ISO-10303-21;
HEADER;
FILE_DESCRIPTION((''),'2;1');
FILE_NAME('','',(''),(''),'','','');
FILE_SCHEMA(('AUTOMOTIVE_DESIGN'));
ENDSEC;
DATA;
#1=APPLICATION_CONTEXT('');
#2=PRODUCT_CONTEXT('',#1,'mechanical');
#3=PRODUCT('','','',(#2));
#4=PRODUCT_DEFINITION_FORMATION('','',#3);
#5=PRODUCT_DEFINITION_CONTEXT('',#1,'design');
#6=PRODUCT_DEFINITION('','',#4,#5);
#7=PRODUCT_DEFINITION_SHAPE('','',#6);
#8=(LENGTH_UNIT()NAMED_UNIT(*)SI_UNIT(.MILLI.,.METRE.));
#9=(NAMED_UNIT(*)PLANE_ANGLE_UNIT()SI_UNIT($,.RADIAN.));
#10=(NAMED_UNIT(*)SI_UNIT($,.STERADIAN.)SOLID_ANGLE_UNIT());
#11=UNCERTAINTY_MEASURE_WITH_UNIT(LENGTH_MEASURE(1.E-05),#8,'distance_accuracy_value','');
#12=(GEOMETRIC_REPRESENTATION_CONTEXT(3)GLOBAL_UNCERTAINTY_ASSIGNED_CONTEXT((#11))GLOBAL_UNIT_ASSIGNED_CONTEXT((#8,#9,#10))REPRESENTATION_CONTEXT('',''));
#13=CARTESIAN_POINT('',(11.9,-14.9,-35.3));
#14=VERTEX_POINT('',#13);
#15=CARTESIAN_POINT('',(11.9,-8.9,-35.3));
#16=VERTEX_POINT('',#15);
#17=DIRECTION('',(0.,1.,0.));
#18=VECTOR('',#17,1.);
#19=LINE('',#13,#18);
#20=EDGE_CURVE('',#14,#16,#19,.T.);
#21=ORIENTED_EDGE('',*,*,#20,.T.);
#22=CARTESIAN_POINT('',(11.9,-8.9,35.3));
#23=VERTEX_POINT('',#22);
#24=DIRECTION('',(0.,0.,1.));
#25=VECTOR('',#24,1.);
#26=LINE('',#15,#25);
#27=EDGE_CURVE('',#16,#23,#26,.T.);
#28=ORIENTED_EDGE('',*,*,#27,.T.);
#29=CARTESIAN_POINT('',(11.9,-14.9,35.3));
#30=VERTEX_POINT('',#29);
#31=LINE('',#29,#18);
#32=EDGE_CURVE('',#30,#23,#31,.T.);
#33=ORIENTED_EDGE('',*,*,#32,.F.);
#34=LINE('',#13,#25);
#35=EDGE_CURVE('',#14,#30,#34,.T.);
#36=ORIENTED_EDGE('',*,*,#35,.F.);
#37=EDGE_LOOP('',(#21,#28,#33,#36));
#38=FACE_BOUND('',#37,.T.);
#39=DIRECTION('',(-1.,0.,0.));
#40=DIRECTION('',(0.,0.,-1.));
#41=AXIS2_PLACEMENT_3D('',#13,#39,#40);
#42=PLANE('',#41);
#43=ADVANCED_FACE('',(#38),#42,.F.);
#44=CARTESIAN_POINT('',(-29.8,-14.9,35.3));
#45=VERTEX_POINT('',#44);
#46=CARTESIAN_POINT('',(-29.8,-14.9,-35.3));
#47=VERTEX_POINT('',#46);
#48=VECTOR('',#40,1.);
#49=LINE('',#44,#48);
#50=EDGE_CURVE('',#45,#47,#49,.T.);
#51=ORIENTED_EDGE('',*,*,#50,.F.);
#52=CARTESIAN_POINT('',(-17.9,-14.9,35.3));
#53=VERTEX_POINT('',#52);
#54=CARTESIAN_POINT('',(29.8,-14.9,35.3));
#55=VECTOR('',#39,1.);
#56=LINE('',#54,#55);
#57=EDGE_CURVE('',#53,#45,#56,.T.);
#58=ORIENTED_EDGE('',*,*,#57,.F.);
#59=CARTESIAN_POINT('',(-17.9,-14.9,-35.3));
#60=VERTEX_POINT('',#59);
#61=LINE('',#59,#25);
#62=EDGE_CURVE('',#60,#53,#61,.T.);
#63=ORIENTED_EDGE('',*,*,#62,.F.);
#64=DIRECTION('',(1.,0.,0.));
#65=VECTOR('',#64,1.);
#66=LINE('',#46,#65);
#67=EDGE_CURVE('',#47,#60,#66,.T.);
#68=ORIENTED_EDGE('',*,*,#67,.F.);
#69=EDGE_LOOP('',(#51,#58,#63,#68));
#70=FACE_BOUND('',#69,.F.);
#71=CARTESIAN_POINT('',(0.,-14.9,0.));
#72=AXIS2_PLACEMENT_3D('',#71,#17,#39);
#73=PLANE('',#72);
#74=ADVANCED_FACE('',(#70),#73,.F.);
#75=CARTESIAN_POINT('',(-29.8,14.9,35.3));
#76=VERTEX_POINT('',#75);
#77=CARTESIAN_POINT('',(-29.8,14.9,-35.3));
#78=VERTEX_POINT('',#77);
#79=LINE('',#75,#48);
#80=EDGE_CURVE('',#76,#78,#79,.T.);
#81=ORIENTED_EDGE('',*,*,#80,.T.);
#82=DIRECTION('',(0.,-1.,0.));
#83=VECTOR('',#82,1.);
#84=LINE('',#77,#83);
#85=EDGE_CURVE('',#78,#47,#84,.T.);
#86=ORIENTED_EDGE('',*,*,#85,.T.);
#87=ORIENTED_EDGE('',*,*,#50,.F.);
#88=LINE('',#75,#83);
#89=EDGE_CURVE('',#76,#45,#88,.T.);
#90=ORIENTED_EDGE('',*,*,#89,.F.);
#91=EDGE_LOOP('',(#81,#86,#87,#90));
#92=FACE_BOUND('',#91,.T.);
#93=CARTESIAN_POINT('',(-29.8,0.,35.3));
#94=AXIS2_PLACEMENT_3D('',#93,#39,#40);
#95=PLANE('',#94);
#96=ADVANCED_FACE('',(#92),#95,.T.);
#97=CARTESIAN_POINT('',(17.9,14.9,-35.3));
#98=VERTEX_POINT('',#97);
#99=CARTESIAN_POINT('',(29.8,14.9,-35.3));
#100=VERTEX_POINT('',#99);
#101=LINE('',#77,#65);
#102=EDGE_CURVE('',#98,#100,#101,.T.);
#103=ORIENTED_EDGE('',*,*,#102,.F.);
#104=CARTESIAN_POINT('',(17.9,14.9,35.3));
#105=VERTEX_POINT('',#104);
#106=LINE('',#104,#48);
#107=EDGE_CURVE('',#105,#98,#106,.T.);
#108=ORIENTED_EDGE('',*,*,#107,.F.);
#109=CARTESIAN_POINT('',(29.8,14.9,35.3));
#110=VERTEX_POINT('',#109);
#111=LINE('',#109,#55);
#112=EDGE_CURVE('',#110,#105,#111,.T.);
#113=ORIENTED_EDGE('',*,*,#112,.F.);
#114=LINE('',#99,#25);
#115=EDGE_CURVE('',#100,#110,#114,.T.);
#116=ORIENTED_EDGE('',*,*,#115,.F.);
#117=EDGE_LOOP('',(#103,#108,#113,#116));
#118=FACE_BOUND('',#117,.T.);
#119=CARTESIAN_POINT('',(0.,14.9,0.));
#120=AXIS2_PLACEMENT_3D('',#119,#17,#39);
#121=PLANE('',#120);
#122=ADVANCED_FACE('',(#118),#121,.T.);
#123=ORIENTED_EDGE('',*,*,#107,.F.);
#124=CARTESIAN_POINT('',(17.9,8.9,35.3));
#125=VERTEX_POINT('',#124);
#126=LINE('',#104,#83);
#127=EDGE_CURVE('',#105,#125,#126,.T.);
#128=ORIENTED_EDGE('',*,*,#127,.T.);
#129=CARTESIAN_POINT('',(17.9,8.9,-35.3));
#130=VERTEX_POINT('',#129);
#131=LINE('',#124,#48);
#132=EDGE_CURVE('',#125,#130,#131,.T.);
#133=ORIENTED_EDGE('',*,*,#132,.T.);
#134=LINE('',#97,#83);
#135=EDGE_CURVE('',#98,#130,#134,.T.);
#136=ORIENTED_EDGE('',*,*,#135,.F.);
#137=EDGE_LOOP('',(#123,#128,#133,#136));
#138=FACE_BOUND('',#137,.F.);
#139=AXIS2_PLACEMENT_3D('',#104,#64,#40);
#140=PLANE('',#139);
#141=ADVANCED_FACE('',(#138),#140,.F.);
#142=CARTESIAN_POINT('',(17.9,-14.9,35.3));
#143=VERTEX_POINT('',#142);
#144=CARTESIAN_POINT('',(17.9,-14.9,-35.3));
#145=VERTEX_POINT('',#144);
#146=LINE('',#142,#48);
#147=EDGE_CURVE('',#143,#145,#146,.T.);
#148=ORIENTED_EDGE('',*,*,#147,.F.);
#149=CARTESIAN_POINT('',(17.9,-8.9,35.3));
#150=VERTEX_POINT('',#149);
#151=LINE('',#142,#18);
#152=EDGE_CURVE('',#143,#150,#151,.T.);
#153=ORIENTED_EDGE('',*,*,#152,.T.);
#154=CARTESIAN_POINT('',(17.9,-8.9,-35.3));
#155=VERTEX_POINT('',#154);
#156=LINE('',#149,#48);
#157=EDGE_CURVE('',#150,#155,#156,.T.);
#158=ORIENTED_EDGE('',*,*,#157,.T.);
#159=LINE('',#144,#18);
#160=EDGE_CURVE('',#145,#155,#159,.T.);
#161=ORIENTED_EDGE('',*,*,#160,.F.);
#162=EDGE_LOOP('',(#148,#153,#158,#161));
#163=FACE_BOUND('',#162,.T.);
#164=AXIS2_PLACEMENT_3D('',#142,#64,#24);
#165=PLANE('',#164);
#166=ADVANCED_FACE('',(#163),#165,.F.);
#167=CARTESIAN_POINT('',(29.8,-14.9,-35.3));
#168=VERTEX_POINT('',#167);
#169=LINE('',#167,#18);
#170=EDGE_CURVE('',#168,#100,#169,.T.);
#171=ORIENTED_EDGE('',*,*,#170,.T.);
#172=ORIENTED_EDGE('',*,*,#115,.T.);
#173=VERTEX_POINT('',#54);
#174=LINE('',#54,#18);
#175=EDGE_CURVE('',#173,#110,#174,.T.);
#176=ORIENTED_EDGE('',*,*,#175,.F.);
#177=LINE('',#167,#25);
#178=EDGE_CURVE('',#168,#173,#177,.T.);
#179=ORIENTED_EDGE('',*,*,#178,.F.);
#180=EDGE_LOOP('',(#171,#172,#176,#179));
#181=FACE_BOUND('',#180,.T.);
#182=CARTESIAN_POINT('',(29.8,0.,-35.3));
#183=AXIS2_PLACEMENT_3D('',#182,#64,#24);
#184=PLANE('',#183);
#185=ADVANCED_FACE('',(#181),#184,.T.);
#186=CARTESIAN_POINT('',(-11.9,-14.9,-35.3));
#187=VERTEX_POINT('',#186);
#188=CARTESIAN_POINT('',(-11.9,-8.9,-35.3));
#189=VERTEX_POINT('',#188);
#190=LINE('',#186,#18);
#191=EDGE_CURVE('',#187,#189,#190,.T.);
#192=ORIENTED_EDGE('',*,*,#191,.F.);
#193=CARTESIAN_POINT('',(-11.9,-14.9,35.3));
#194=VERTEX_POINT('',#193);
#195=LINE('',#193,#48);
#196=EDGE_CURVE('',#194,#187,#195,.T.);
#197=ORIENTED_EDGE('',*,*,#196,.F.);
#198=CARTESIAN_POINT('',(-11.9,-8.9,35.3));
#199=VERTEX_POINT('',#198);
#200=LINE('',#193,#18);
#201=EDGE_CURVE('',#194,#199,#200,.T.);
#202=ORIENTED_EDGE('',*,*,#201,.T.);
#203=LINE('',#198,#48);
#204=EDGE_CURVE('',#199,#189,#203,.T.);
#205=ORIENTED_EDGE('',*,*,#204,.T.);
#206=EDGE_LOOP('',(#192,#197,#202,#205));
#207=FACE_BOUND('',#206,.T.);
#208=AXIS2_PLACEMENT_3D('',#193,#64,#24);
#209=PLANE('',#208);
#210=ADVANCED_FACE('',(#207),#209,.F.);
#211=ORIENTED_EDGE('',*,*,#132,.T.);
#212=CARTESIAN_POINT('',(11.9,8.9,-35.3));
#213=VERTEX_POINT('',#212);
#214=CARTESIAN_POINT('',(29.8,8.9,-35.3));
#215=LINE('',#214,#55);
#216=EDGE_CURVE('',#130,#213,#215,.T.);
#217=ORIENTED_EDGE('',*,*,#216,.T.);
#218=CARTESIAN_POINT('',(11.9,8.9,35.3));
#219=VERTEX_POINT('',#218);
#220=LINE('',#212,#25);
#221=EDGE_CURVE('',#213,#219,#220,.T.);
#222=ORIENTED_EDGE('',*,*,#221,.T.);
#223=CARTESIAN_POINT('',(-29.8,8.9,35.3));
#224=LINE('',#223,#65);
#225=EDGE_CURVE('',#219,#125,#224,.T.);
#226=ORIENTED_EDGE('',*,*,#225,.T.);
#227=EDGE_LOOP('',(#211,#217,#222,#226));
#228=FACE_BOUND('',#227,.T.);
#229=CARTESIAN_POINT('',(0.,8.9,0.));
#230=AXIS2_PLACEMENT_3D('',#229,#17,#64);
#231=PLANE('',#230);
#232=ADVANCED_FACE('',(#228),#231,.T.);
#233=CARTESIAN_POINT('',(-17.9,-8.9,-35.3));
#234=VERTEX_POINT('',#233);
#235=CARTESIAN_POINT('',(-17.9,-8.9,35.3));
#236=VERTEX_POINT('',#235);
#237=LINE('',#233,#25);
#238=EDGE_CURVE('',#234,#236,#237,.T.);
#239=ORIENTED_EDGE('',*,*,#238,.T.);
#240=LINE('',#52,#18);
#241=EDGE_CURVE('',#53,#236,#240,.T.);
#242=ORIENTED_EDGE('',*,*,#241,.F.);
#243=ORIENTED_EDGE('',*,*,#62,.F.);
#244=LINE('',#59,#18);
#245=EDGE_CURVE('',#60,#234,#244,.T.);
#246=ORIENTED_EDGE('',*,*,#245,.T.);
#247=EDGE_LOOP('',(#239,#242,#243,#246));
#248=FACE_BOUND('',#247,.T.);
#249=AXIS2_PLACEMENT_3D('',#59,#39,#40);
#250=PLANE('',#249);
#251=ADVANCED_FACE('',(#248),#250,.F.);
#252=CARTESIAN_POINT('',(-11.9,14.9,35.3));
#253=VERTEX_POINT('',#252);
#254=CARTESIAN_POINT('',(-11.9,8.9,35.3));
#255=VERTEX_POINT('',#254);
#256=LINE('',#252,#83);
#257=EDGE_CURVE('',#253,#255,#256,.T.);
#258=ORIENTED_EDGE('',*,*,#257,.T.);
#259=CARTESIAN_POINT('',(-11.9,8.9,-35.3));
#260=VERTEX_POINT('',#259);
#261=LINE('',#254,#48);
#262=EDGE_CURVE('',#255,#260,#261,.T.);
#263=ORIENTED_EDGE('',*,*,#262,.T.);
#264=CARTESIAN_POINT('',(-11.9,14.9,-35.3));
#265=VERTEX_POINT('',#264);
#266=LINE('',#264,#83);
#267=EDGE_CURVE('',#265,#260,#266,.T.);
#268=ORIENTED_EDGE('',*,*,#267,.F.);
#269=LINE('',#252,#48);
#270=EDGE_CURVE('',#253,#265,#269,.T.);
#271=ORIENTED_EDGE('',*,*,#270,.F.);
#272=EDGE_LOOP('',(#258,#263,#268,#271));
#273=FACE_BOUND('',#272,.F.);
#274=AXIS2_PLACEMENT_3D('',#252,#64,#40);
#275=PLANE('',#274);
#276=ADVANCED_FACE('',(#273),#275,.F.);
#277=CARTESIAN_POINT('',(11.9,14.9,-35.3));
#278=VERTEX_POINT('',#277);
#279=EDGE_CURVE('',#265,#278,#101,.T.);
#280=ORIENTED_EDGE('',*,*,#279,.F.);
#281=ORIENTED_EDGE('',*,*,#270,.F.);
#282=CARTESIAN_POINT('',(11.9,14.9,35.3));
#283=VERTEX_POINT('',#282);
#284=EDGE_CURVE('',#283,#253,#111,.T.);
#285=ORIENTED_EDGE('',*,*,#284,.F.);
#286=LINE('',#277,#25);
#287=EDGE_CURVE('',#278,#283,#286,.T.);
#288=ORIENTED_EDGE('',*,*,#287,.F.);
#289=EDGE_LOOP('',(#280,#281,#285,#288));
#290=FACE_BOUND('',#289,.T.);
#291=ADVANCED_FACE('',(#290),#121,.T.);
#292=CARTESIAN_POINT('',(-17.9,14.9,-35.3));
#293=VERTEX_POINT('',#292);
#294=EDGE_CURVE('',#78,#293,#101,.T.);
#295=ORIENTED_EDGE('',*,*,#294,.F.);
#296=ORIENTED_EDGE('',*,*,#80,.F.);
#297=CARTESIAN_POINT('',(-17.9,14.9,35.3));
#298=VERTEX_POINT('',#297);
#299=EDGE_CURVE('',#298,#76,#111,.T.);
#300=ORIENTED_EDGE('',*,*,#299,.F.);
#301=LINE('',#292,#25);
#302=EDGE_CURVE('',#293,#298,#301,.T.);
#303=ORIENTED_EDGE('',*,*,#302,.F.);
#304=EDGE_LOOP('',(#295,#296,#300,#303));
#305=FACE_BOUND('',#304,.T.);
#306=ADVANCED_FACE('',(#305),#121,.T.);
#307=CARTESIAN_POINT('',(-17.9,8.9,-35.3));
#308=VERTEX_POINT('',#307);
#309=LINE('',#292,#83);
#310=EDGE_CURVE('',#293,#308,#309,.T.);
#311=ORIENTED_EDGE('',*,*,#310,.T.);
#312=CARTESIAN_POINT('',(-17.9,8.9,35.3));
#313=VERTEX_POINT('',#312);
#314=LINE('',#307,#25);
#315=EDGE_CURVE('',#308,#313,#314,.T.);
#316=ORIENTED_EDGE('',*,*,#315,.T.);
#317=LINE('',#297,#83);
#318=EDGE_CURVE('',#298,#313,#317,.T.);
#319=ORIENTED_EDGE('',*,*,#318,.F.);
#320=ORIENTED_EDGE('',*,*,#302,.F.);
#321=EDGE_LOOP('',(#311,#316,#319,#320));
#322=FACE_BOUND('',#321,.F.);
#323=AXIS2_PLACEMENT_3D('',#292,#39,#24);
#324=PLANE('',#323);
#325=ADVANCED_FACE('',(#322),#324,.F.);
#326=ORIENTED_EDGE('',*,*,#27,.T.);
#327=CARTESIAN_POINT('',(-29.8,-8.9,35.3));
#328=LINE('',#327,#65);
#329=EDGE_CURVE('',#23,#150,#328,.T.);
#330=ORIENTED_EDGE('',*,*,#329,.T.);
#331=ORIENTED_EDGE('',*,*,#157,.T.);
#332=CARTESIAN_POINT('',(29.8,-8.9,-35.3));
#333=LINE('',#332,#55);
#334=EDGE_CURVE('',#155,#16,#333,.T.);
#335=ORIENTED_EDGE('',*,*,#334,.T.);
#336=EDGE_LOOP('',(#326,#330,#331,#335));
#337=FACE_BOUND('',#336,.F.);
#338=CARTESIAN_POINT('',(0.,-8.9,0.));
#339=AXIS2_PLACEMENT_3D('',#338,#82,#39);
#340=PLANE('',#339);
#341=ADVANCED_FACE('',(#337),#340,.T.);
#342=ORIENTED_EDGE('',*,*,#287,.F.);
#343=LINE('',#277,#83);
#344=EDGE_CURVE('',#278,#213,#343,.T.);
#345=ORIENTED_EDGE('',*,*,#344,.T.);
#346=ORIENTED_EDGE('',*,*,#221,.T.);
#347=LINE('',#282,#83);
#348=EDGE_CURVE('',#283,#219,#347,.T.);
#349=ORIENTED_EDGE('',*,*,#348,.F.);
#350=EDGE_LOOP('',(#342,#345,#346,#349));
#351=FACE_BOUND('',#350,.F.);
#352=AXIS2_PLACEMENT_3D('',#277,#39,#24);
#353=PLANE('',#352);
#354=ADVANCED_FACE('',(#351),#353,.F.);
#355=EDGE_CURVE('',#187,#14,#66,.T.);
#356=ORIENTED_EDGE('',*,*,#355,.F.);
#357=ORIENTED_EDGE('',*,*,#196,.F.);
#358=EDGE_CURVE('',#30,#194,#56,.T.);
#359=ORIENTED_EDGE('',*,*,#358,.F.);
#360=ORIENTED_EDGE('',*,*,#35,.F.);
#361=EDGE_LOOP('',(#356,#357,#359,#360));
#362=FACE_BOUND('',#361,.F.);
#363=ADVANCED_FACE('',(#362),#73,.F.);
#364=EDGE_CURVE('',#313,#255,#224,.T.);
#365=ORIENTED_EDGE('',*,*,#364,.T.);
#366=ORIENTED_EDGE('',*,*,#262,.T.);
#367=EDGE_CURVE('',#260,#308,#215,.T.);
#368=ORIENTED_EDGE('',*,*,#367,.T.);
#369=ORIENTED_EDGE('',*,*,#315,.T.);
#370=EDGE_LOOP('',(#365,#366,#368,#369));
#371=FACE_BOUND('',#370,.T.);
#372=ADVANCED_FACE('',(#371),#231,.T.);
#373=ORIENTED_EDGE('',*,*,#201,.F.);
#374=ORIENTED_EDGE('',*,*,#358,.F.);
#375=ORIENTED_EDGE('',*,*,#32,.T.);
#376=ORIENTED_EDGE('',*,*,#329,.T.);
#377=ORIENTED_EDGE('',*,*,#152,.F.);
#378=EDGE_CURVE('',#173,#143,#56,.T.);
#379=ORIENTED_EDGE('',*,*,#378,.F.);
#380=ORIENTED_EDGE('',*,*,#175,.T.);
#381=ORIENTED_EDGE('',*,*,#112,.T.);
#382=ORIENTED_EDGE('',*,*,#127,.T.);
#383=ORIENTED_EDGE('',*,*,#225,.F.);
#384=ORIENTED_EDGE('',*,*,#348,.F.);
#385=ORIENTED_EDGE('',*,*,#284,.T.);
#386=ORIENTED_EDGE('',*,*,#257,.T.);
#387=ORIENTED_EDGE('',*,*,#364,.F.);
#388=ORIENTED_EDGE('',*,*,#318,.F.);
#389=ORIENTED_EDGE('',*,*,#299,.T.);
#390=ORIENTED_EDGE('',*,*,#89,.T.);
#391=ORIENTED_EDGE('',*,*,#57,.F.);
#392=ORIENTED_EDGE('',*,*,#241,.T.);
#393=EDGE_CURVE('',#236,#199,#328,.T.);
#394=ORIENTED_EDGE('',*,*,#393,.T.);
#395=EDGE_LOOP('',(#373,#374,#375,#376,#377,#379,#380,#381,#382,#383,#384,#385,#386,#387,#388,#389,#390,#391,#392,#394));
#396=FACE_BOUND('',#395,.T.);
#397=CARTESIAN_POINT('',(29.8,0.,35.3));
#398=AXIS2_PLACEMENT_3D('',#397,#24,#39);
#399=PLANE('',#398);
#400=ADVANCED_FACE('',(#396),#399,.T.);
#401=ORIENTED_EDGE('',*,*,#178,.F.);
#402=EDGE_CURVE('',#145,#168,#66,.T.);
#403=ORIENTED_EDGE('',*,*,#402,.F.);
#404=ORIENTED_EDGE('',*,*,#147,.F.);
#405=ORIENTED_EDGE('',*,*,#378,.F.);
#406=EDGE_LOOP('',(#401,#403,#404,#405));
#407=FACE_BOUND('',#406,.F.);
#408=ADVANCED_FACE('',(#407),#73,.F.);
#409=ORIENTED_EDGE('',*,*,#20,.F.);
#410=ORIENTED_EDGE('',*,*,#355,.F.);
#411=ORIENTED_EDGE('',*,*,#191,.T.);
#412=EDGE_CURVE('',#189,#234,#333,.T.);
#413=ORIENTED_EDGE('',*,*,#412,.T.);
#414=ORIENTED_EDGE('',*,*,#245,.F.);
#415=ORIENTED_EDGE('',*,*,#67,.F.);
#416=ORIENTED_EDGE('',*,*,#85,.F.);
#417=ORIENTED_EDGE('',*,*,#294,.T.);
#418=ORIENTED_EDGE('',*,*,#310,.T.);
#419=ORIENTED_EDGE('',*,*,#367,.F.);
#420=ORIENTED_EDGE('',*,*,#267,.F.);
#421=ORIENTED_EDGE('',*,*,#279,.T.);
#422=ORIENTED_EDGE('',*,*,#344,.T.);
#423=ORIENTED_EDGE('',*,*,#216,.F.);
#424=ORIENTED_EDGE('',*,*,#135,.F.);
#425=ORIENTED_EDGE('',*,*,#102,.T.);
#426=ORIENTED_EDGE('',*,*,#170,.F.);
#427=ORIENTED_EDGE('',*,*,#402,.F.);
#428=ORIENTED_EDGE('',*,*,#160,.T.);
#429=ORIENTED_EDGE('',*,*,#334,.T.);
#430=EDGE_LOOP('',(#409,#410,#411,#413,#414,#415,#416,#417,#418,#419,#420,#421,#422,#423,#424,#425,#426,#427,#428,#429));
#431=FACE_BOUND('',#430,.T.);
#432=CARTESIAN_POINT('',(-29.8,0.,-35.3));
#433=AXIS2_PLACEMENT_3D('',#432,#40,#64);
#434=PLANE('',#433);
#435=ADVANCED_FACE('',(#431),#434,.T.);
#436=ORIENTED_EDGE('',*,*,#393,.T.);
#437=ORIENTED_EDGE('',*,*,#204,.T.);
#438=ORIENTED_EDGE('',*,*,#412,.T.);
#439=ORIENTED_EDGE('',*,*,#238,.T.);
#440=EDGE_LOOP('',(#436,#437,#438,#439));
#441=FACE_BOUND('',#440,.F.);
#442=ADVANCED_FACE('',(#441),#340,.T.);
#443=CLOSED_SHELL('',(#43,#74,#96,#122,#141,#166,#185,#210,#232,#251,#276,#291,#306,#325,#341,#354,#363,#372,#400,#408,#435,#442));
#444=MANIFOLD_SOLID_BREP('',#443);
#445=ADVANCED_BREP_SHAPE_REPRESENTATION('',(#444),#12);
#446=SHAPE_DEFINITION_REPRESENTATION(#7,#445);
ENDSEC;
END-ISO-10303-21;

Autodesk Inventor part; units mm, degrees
ref_plane "YZ Plane" through (0, 0, 0) normal (1, 0, 0) x (0, 1, 0)
ref_plane "XZ Plane" through (0, 0, 0) normal (0, 1, 0) x (-1, 0, 0)
ref_plane "XY Plane" through (0, 0, 0) normal (0, 0, 1) x (1, 0, 0)
sketch "Sketch1" plane through (0, 0, 0) normal (0, 1, 0) x (-1, 0, 0)
  line L0 (-29.8, 35.3) -> (29.8, 35.3)
  line L1 (29.8, 35.3) -> (29.8, -35.3)
  line L2 (29.8, -35.3) -> (-29.8, -35.3)
  line L3 (-29.8, -35.3) -> (-29.8, 35.3)
  line L4 (-29.8, 35.3) -> (29.8, -35.3) construction
  line L5 (29.8, 35.3) -> (-29.8, -35.3) construction
  point P0 (0, 0)
  dimension "d0" = 70.6
  dimension "d1" = 59.6
extrude "Extrusion1" add sketch "Sketch1" along normal mid plane 29.8
sketch "Sketch2" plane through (0, 14.9, 0) normal (0, 1, 0) x (1, 0, 0)
  line L0 (-29.8, -35.3) -> (29.8, -35.3) projected
  line L1 (29.8, 35.3) -> (-29.8, 35.3) projected
  line L2 (-17.9, -35.3) -> (-11.9, -35.3)
  line L3 (-11.9, -35.3) -> (-11.9, 35.3)
  line L4 (-11.9, 35.3) -> (-17.9, 35.3)
  line L5 (-17.9, 35.3) -> (-17.9, -35.3)
  line L6 (11.9, -35.3) -> (17.9, -35.3)
  line L7 (17.9, -35.3) -> (17.9, 35.3)
  line L8 (17.9, 35.3) -> (11.9, 35.3)
  line L9 (11.9, 35.3) -> (11.9, -35.3)
  line L10 (-29.8, 35.3) -> (-29.8, -35.3) projected
  line L11 (0, -35.3) -> (0, 35.3) construction
  point P0 (0, 0)
  dimension "d4" = 6
  dimension "d5" = 11.9
extrude "Extrusion2" cut sketch "Sketch2" against normal blind 6 contours L5 L1 L3 L0 | L9 L1 L7 L0
mirror "Mirror1" about plane through (0, 0, 0) normal (0, 1, 0) of "Extrusion2"
properties part number "Linear Rail Carriage"
